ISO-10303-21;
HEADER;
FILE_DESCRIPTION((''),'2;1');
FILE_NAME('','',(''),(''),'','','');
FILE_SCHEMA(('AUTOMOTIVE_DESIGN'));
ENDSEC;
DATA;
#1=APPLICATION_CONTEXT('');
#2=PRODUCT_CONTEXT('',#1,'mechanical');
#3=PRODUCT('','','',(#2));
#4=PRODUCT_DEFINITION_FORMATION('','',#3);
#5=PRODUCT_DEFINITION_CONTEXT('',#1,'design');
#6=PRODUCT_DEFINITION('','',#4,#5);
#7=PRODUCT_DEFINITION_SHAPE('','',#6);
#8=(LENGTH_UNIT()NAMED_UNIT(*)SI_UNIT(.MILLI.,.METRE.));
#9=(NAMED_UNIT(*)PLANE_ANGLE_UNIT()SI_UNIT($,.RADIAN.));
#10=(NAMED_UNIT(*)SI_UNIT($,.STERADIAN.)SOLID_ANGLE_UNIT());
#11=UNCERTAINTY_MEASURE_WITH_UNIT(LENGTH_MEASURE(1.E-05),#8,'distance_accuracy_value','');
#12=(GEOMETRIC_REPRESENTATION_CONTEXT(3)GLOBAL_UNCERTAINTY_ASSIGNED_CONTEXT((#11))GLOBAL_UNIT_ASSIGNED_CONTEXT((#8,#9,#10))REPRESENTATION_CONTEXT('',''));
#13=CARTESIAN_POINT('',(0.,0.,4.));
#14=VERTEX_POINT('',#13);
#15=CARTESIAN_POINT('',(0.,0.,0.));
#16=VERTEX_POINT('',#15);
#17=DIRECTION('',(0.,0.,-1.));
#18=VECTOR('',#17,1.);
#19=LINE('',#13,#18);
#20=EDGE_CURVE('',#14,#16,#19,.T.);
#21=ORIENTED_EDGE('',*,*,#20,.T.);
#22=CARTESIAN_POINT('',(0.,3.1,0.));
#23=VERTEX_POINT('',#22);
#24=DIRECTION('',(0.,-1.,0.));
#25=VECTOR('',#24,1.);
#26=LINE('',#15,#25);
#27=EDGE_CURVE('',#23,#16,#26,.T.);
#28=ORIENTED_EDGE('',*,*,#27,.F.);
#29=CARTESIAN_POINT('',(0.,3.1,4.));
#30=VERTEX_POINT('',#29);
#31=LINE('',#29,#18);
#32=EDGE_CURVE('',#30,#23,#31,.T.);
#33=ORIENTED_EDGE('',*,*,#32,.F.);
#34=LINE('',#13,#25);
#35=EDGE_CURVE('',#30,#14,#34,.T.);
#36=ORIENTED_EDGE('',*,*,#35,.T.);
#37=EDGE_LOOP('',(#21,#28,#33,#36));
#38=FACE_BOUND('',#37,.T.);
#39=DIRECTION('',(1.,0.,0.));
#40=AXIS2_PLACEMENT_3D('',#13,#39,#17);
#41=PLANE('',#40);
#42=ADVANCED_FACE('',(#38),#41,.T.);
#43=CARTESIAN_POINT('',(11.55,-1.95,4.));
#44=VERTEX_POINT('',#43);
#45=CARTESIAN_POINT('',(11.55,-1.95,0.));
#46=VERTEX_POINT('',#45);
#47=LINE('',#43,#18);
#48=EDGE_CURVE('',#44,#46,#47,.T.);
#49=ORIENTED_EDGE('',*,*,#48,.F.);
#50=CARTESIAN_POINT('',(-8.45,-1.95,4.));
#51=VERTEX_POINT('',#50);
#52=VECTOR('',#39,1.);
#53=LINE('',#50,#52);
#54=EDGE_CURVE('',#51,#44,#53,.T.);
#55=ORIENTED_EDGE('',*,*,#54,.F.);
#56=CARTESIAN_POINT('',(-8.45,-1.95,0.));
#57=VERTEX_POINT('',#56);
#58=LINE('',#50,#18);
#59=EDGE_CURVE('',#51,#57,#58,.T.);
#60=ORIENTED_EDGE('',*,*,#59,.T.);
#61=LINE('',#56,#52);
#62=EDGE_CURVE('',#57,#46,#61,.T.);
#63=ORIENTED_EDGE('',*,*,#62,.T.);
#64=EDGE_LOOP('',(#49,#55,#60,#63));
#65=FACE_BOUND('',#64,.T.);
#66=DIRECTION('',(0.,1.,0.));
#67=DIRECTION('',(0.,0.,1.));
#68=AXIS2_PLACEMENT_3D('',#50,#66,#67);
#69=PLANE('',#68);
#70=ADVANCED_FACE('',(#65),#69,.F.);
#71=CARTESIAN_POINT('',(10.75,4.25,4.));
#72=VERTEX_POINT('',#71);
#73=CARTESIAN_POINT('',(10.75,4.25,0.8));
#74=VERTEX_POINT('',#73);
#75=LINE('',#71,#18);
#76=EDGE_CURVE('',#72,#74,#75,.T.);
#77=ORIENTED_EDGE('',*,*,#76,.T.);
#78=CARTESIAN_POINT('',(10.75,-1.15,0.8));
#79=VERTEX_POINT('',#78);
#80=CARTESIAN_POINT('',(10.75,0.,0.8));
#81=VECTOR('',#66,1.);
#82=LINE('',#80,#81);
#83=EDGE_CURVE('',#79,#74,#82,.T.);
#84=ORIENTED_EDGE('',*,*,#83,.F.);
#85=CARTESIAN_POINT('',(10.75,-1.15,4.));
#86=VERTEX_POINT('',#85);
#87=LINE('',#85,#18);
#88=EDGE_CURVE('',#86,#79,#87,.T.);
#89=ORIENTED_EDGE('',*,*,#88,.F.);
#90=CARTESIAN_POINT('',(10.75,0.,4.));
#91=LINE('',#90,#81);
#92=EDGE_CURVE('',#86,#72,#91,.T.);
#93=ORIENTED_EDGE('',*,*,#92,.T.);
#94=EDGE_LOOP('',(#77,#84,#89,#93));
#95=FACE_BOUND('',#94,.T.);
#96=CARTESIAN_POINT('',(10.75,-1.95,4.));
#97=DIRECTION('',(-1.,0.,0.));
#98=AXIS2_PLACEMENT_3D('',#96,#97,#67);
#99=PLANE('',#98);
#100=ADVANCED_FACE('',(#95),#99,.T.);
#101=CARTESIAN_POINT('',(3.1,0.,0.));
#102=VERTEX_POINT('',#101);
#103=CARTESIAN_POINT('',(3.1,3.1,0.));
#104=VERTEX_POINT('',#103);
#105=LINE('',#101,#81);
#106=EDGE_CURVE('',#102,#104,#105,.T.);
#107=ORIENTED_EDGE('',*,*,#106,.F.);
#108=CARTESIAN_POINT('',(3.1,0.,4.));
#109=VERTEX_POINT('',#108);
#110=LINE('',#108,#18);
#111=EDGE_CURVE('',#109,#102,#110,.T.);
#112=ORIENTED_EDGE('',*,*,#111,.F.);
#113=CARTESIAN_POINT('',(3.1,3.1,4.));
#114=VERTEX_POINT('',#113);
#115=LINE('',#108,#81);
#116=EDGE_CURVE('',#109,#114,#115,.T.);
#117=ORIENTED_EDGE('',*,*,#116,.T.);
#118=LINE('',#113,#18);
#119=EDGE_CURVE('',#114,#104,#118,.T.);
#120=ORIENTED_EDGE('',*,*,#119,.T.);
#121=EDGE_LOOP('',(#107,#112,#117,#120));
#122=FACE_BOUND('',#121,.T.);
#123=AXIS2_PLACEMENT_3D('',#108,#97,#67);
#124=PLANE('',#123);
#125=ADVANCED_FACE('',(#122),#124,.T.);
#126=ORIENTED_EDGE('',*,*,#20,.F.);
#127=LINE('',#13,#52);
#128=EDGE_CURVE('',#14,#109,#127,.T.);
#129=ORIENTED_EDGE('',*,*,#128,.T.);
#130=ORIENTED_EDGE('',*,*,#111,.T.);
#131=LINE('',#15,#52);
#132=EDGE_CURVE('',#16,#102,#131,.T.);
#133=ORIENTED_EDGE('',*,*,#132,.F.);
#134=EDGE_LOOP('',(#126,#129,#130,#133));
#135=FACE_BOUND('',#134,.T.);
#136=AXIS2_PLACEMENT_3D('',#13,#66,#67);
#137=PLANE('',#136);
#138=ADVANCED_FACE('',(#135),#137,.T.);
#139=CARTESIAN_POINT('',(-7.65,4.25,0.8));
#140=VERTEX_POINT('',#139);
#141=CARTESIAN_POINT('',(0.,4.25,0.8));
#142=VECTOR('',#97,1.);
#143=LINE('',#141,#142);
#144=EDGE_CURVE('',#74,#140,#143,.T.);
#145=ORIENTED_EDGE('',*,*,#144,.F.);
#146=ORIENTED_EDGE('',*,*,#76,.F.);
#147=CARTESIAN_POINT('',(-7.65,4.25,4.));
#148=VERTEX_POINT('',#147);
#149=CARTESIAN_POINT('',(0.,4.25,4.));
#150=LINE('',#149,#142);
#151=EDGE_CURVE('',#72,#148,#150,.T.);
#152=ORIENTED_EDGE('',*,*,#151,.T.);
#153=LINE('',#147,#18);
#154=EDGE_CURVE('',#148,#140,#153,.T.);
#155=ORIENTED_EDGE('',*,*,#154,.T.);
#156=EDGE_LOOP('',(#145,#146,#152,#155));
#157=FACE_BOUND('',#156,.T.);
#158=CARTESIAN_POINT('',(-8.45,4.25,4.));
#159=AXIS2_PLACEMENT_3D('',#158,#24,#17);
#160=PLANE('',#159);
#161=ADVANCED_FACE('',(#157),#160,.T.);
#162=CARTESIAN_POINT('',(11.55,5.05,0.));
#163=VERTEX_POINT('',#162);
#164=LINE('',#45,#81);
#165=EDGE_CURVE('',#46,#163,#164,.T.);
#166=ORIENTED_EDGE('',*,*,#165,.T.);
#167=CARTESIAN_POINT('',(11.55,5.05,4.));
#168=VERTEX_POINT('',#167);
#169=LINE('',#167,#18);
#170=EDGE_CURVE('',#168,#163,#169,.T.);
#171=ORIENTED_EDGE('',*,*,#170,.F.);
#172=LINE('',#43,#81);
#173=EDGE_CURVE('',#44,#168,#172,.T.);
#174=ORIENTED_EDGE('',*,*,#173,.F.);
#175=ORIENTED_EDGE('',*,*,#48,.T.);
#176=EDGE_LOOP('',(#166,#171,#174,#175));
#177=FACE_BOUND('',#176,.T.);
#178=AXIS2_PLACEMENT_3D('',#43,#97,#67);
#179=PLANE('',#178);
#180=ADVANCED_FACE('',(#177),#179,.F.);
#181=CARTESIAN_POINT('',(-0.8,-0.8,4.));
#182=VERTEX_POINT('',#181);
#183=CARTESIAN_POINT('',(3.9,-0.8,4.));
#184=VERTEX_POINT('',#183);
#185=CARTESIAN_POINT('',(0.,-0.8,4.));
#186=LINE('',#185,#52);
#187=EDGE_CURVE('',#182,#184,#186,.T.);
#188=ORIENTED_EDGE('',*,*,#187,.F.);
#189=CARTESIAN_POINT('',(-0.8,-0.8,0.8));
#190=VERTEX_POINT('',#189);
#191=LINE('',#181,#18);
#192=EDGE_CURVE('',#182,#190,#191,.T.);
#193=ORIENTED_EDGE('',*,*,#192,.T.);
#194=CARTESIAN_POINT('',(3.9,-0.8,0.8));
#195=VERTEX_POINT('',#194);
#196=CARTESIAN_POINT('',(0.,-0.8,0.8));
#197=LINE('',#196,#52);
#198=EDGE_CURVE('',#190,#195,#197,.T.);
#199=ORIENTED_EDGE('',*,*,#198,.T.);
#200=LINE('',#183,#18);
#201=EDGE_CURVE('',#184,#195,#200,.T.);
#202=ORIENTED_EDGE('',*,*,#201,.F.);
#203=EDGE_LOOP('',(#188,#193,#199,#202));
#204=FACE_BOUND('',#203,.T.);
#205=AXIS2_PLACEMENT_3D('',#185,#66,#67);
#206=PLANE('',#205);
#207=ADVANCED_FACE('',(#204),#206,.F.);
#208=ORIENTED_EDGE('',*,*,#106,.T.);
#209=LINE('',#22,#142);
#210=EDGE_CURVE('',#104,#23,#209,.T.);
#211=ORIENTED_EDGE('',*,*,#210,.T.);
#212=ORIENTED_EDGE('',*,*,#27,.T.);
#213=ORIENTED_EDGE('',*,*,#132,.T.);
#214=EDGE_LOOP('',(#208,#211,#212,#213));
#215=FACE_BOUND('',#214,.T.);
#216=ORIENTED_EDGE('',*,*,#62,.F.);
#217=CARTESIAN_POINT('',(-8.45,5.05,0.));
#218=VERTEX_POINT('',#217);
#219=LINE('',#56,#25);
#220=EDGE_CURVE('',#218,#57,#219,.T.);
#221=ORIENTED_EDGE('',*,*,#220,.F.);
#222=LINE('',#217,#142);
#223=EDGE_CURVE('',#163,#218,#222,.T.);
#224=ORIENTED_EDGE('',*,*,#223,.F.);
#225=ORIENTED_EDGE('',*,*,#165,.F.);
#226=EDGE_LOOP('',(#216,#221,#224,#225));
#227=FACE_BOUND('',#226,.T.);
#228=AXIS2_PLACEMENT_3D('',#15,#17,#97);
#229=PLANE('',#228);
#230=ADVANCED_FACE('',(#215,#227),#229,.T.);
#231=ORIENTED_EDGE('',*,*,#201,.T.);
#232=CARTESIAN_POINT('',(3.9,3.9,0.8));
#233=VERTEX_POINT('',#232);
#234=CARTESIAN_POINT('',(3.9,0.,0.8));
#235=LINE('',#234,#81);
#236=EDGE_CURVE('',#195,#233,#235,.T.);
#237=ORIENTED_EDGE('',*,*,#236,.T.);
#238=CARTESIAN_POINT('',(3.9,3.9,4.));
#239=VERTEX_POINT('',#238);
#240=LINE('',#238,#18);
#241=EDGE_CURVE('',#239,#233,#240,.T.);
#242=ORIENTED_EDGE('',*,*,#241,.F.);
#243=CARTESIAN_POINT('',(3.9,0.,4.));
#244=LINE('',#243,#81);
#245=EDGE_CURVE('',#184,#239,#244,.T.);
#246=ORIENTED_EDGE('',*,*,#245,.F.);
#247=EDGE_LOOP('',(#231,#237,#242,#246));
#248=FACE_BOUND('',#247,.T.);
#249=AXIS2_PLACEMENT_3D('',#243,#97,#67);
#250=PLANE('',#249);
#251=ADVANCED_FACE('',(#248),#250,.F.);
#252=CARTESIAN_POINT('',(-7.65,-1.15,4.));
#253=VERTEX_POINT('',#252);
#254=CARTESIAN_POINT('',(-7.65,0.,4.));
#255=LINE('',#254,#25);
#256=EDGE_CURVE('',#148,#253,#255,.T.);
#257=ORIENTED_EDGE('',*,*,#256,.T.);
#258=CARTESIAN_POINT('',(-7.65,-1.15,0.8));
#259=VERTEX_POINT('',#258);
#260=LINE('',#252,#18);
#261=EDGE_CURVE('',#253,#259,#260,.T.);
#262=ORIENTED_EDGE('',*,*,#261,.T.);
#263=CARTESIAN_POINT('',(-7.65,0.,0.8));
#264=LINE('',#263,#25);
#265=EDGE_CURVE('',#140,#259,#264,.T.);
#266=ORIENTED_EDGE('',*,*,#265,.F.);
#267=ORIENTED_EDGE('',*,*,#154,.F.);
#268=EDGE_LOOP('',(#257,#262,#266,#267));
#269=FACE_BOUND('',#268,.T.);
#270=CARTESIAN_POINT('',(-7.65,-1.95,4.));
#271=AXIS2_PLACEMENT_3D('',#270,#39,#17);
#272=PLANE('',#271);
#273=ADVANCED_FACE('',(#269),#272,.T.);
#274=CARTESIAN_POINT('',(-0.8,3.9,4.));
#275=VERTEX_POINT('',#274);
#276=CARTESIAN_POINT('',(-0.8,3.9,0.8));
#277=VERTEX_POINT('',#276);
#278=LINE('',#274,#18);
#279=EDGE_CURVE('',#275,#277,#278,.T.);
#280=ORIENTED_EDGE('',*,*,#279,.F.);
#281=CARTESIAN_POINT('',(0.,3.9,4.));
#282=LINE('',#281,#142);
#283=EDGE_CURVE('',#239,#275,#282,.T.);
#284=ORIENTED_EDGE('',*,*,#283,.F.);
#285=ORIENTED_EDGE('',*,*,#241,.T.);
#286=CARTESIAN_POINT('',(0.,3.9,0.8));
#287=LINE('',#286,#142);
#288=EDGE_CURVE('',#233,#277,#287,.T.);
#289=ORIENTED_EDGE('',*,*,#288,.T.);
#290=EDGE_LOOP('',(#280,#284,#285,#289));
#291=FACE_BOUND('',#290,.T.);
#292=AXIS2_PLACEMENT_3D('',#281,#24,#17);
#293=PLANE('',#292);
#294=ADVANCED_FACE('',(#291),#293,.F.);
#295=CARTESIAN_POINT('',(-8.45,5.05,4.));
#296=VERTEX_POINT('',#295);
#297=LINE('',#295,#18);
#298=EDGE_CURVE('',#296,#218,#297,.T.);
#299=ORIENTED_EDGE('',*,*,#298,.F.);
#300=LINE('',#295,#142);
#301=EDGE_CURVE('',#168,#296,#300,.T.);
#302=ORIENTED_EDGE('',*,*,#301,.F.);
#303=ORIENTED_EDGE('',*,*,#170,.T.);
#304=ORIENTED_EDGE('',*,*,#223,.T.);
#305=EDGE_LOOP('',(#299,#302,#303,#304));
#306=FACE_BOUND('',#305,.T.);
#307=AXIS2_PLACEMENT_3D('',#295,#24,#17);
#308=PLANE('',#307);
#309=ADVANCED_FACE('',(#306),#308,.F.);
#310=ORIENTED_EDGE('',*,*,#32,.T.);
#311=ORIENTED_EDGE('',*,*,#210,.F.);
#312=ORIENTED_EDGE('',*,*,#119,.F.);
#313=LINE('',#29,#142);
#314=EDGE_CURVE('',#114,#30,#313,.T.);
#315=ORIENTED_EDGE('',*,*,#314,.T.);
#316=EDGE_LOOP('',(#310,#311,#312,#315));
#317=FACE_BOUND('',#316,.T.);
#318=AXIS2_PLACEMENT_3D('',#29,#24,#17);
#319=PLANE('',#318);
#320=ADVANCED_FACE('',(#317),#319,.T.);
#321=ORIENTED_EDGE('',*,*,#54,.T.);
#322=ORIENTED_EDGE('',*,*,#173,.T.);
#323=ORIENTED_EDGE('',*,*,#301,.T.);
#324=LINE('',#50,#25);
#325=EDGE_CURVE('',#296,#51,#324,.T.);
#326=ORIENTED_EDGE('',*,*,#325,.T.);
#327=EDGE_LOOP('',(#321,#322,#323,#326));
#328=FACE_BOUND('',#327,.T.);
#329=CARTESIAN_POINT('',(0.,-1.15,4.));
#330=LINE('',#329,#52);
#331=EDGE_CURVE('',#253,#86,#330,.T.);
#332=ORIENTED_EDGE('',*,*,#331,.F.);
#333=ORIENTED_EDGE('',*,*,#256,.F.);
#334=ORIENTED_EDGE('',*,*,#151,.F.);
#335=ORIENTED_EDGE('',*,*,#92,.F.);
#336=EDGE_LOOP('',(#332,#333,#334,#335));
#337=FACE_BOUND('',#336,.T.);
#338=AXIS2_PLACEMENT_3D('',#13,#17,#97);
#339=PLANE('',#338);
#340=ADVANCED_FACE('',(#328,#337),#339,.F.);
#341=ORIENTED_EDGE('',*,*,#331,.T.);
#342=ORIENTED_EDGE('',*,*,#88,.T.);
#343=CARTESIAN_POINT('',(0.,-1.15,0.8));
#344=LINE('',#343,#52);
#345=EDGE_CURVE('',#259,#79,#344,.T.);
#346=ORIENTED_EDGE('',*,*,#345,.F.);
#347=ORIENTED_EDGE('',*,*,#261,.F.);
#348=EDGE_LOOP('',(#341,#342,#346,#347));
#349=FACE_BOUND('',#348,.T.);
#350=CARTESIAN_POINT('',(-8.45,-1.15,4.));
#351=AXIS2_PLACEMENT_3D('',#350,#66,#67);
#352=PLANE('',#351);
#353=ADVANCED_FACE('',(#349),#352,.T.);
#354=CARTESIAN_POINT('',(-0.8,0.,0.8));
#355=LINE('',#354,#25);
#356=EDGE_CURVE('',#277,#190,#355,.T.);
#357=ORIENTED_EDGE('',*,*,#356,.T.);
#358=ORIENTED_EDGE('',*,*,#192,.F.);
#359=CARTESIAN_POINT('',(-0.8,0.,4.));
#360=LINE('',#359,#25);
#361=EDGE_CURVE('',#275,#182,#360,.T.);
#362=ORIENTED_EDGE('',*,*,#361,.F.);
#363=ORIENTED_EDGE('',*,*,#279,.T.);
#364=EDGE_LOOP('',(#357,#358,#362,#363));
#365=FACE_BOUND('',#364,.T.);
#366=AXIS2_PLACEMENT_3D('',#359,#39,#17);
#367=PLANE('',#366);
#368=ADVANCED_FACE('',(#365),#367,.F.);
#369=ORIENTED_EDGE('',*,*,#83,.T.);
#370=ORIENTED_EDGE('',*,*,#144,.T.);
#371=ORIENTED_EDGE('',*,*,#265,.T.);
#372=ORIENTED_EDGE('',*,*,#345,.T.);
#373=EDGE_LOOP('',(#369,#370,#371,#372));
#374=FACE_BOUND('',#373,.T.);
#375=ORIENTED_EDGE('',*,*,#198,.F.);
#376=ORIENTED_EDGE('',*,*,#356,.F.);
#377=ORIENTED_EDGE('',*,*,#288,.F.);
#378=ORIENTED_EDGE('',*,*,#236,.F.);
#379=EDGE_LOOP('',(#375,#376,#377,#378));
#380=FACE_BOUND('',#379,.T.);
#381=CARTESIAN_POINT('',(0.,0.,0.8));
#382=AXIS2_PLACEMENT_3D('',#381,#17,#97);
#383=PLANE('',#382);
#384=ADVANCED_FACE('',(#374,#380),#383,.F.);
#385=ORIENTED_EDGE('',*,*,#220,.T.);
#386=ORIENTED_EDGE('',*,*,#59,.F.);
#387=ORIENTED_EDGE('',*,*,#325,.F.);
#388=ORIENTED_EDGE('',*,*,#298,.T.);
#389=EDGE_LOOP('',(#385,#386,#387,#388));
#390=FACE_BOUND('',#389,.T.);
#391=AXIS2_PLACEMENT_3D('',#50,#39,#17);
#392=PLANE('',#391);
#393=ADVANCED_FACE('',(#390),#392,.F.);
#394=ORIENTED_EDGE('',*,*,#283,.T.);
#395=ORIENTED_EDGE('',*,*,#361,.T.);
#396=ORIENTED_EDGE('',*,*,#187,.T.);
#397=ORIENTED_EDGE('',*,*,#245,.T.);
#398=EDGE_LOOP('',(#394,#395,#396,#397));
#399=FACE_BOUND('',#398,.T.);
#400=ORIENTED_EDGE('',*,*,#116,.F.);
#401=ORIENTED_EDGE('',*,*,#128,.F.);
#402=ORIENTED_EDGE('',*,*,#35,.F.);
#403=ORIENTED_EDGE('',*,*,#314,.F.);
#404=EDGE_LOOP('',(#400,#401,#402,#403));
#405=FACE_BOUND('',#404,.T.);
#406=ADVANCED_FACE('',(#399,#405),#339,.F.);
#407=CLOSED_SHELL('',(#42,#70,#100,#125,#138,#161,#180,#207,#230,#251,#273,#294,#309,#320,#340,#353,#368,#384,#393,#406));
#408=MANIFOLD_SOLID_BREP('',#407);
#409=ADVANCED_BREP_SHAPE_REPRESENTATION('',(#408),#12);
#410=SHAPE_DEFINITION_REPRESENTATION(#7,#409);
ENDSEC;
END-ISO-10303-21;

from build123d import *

# Parameters (mm, degrees)
SKETCH1_W           = 20
SKETCH1_H           = 7
SKETCH1_W_2         = 3.1
SKETCH1_H_2         = 3.1
BOSS_EXTRUDE1_DEPTH = 4
SHELL1_T            = -0.8


with BuildPart() as part:
    # Sketch1 → Boss-Extrude1 (new body)
    with BuildSketch(Plane.XY):
        with Locations((1.55, 1.55)):
            Rectangle(SKETCH1_W, SKETCH1_H)
        with Locations((1.55, 1.55)):
            Rectangle(SKETCH1_W_2, SKETCH1_H_2, mode=Mode.SUBTRACT)
    extrude(amount=BOSS_EXTRUDE1_DEPTH)

    # Shell1
    shell1_openings = [part.faces().sort_by_distance(p)[0] for p in [
        (1.55, -1.738103799, 4),
    ]]
    offset(amount=SHELL1_T, openings=shell1_openings, kind=Kind.INTERSECTION)


solid = part.part
